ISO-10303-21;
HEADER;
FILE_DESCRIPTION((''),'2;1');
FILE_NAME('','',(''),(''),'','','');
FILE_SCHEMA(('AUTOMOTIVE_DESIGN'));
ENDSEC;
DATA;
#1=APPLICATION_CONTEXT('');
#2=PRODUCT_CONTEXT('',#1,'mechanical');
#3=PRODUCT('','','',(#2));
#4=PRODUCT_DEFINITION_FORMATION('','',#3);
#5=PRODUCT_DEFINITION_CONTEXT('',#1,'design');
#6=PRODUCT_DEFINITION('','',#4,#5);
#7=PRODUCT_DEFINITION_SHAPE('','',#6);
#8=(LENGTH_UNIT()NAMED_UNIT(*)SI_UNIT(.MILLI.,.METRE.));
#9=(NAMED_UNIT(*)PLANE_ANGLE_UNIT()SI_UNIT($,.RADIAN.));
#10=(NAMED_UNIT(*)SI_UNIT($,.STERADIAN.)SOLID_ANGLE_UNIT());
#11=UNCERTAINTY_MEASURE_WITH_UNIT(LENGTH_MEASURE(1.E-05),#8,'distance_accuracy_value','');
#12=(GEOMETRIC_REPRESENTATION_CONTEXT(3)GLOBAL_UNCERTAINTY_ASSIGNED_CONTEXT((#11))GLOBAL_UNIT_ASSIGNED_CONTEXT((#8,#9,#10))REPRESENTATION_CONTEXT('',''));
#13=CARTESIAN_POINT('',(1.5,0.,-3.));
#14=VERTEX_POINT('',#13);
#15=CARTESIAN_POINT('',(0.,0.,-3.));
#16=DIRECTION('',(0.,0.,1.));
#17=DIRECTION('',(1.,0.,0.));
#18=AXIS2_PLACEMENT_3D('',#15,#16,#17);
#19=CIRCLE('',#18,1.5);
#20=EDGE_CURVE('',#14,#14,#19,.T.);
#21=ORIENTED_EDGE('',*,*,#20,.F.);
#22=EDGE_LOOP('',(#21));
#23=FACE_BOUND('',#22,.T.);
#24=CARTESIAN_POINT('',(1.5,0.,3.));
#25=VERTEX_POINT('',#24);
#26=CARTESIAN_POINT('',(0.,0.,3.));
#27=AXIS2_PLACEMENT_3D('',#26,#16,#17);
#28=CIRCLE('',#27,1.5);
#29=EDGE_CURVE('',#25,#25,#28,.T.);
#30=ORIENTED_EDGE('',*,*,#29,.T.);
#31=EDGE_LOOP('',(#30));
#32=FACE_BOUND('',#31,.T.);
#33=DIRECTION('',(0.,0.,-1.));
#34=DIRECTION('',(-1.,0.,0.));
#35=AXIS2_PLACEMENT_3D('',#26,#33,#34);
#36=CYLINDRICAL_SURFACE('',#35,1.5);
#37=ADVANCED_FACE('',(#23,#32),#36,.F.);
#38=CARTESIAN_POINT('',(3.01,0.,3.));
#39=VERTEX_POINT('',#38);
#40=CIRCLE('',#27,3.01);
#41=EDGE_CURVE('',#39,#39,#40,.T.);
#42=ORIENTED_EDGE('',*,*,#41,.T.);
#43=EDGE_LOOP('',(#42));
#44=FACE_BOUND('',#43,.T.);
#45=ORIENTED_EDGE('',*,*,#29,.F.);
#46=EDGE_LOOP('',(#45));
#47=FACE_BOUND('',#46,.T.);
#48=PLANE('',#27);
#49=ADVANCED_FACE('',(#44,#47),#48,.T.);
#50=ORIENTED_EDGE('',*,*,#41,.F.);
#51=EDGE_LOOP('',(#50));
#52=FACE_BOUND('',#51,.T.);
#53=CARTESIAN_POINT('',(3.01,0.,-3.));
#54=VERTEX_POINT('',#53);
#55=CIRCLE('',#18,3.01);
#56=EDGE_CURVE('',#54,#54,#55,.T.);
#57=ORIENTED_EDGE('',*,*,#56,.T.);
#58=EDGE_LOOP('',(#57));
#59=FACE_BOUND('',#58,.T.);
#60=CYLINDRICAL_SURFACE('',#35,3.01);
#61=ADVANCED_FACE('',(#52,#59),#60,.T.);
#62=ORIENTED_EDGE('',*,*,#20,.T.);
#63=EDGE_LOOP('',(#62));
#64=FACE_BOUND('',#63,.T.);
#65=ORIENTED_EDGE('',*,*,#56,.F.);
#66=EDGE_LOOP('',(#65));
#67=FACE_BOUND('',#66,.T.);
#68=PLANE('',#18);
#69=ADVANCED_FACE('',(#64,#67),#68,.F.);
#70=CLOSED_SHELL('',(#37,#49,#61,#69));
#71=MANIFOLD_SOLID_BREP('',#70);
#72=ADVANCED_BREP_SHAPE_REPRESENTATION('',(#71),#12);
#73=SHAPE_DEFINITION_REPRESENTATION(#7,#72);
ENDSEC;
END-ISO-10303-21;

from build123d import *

# Parameters (mm, degrees)
SKETCH1_R      = 3.01
SKETCH1_R_2    = 1.5
EXTRUDE1_DEPTH = 3


with BuildPart() as part:
    # Sketch1 → Extrude1 (new body, symmetric)
    with BuildSketch(Plane.XY):
        Circle(SKETCH1_R)
        Circle(SKETCH1_R_2, mode=Mode.SUBTRACT)
    extrude(amount=EXTRUDE1_DEPTH, both=True)


solid = part.part
